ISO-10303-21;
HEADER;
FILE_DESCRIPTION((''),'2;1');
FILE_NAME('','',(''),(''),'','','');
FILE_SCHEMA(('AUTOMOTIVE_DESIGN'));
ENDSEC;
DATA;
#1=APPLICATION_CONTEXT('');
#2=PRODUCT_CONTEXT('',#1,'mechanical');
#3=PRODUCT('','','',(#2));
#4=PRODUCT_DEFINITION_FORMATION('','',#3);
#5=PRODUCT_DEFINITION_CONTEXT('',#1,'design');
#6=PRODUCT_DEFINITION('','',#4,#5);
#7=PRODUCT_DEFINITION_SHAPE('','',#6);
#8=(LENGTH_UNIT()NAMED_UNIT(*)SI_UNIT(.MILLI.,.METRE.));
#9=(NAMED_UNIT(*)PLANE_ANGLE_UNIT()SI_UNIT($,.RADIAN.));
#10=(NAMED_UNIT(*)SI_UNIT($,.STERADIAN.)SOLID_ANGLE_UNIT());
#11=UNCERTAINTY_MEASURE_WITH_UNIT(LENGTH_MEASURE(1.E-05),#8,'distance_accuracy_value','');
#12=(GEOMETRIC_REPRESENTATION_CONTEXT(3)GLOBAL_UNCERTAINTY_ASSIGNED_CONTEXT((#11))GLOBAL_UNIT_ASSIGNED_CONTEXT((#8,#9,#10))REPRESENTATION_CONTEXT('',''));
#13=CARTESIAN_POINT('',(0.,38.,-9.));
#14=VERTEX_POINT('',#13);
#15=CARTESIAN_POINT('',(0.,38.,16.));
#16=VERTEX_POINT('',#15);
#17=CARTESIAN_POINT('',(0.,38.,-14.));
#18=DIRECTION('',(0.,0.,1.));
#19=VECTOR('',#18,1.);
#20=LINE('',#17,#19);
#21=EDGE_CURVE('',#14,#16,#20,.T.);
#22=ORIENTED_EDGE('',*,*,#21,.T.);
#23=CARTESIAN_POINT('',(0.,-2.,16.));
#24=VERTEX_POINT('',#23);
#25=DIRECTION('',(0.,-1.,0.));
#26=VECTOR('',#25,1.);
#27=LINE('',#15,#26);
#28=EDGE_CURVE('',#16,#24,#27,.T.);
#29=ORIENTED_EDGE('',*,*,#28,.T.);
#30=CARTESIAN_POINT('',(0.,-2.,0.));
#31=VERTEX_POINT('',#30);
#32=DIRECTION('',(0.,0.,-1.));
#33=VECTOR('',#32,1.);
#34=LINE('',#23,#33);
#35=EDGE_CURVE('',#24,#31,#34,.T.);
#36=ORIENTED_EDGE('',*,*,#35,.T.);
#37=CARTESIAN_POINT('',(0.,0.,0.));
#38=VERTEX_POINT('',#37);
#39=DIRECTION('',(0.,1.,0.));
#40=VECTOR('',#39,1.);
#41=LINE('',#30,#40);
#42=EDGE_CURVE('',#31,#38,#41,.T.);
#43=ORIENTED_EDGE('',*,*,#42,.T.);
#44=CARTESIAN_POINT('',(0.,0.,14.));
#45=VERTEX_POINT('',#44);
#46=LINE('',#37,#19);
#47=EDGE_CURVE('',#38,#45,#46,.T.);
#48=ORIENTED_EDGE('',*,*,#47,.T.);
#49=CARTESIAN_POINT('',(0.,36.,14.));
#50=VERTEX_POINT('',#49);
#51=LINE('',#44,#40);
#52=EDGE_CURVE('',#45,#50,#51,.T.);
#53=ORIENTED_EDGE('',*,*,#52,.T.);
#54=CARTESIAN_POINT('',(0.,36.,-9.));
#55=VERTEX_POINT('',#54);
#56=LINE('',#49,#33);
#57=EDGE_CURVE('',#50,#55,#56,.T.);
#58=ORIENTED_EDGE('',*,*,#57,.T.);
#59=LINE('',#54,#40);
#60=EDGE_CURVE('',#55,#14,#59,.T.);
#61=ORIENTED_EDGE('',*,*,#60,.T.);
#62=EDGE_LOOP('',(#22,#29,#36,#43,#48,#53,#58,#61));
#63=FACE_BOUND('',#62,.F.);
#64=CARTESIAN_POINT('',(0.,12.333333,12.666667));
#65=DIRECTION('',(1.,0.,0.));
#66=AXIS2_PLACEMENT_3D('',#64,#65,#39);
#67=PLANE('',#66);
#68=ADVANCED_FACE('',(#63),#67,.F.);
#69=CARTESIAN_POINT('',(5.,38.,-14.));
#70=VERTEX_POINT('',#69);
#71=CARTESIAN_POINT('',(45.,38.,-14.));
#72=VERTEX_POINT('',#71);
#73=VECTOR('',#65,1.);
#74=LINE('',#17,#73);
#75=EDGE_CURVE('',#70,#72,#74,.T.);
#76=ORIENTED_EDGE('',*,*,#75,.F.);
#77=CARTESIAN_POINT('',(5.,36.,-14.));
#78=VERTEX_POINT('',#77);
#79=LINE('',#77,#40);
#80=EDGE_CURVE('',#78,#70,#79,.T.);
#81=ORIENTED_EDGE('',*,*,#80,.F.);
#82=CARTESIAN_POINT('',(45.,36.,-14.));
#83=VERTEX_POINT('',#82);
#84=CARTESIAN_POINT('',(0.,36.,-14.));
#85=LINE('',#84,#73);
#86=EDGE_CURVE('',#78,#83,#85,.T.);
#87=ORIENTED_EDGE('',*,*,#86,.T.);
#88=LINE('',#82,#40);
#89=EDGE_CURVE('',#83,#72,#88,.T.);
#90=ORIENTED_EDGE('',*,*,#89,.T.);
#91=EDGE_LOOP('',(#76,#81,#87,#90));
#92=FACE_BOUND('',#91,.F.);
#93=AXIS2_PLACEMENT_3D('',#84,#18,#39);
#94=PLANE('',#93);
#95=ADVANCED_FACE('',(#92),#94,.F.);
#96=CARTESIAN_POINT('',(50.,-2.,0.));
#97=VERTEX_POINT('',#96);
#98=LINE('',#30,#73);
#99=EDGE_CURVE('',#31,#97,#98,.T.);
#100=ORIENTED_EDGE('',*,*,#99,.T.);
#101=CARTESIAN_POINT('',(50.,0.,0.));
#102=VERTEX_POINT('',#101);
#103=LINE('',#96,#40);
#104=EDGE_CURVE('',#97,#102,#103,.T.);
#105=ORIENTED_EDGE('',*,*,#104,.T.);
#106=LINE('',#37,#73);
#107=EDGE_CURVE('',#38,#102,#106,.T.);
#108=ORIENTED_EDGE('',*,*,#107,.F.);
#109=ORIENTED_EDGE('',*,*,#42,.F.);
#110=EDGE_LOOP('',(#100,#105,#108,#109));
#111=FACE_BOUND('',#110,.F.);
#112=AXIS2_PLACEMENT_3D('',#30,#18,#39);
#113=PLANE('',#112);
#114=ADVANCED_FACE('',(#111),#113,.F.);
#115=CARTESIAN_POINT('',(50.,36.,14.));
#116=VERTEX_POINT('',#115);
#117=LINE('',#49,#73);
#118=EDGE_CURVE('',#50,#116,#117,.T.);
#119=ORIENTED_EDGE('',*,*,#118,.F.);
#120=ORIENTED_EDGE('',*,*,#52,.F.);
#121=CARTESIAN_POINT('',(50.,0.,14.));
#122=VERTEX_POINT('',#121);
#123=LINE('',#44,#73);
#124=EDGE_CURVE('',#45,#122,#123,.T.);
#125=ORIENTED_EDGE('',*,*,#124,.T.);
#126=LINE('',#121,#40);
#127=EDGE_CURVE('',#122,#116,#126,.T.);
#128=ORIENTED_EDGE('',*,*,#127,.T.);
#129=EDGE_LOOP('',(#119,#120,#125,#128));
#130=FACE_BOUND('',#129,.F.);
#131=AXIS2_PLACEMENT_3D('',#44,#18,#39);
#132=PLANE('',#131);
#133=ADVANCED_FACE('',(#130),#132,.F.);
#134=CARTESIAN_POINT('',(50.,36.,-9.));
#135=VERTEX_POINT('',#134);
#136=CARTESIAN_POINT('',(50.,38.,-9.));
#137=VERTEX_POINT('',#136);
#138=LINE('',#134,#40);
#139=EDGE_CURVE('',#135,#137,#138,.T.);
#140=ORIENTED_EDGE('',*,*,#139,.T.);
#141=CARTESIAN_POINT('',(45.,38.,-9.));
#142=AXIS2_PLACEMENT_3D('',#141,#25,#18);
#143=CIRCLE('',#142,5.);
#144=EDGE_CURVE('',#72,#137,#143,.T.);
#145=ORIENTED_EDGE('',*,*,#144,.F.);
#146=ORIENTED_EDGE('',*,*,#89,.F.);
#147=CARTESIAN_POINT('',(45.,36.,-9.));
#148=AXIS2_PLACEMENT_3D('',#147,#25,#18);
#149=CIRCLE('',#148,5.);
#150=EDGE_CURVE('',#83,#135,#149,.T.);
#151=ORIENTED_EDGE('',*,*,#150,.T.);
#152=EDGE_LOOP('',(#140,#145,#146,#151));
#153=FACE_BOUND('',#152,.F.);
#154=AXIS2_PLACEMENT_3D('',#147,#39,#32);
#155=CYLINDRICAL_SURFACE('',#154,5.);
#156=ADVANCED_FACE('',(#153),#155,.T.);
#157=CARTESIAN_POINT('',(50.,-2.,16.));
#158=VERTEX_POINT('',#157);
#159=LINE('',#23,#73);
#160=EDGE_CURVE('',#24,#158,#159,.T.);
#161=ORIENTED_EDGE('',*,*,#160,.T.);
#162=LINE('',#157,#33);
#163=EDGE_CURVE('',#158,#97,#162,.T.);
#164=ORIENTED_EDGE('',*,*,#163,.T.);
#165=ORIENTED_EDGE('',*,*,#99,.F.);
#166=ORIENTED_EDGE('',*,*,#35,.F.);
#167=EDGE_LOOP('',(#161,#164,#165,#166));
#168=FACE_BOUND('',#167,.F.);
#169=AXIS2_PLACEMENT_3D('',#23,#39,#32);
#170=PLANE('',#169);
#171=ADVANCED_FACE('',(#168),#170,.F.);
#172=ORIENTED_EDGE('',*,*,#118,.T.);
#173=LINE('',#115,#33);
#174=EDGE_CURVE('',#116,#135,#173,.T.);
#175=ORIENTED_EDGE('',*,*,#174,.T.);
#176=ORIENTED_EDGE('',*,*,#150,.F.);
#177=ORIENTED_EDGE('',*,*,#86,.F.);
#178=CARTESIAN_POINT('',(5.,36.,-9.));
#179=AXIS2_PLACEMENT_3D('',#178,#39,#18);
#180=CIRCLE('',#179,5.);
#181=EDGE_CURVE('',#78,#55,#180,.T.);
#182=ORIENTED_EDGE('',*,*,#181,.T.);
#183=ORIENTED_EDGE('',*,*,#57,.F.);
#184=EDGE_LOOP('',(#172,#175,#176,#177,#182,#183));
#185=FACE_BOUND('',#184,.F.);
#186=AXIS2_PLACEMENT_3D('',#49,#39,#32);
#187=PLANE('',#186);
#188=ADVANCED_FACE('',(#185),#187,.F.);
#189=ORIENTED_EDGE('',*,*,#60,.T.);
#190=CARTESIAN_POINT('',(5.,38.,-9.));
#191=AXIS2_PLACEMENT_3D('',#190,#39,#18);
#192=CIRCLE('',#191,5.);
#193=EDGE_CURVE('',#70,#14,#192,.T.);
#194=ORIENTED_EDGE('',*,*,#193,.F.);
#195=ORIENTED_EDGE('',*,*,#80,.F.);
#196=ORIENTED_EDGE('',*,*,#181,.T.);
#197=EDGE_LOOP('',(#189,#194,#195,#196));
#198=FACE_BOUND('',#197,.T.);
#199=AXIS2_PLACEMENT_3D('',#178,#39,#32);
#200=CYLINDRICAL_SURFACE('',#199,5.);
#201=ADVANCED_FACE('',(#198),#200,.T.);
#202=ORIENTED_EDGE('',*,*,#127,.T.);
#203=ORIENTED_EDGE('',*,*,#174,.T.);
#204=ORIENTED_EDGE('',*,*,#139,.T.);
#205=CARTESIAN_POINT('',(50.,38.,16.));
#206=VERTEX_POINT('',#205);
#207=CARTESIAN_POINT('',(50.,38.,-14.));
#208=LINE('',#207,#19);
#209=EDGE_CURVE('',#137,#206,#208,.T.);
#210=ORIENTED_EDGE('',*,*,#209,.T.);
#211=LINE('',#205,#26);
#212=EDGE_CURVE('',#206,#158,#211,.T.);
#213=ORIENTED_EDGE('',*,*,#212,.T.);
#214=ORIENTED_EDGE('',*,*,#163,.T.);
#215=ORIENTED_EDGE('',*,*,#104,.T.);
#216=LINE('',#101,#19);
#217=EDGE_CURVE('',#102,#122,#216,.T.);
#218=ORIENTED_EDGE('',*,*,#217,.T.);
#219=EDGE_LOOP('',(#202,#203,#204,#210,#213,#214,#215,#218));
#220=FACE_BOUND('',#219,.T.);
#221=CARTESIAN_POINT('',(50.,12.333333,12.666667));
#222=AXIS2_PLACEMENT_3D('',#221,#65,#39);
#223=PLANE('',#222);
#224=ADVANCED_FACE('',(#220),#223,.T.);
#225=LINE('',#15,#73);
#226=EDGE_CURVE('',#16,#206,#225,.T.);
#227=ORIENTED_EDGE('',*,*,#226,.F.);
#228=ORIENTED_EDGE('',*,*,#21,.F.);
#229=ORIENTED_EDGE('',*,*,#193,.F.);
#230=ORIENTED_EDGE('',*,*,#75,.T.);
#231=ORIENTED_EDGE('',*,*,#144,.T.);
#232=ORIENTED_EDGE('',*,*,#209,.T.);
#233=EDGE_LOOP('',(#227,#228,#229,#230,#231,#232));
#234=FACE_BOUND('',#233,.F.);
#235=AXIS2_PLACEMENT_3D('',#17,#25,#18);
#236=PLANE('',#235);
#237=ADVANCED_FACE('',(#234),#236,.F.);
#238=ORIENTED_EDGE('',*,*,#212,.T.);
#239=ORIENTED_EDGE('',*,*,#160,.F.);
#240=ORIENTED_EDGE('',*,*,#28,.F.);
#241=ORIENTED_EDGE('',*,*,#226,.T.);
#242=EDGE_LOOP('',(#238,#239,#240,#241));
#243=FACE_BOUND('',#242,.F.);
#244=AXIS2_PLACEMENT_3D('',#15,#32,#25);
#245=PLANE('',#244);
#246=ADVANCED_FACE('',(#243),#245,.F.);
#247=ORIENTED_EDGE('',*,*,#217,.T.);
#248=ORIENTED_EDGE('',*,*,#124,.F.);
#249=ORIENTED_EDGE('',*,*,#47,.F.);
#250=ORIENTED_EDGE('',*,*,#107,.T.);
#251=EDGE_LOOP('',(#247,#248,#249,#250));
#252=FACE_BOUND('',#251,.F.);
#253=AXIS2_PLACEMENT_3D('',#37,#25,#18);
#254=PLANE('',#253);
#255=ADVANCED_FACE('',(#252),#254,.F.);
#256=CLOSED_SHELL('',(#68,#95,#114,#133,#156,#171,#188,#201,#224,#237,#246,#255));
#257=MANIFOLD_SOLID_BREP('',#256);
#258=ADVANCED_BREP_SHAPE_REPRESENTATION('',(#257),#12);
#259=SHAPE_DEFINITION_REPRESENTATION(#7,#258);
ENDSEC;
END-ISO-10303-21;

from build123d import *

# Parameters (mm, degrees)
F1_DEPTH = 50
F2_R     = 5


with BuildPart() as f1:
    # F0 (on Right) → F1 (new body)
    with BuildSketch(Plane.YZ):
        Polygon((-2, 0), (0, 0), (0, 14), (36, 14), (36, 16), (-2, 16), align=None)
        Polygon((36, 16), (36, 14), (36, -14), (38, -14), (38, 16), align=None)
    extrude(amount=F1_DEPTH)

    # F2
    f2_edges = [f1.edges().sort_by_distance(p)[0] for p in [
        (50, 37, -14),
        (0, 37, -14),
    ]]
    fillet(f2_edges, radius=F2_R)


solid = f1.part
